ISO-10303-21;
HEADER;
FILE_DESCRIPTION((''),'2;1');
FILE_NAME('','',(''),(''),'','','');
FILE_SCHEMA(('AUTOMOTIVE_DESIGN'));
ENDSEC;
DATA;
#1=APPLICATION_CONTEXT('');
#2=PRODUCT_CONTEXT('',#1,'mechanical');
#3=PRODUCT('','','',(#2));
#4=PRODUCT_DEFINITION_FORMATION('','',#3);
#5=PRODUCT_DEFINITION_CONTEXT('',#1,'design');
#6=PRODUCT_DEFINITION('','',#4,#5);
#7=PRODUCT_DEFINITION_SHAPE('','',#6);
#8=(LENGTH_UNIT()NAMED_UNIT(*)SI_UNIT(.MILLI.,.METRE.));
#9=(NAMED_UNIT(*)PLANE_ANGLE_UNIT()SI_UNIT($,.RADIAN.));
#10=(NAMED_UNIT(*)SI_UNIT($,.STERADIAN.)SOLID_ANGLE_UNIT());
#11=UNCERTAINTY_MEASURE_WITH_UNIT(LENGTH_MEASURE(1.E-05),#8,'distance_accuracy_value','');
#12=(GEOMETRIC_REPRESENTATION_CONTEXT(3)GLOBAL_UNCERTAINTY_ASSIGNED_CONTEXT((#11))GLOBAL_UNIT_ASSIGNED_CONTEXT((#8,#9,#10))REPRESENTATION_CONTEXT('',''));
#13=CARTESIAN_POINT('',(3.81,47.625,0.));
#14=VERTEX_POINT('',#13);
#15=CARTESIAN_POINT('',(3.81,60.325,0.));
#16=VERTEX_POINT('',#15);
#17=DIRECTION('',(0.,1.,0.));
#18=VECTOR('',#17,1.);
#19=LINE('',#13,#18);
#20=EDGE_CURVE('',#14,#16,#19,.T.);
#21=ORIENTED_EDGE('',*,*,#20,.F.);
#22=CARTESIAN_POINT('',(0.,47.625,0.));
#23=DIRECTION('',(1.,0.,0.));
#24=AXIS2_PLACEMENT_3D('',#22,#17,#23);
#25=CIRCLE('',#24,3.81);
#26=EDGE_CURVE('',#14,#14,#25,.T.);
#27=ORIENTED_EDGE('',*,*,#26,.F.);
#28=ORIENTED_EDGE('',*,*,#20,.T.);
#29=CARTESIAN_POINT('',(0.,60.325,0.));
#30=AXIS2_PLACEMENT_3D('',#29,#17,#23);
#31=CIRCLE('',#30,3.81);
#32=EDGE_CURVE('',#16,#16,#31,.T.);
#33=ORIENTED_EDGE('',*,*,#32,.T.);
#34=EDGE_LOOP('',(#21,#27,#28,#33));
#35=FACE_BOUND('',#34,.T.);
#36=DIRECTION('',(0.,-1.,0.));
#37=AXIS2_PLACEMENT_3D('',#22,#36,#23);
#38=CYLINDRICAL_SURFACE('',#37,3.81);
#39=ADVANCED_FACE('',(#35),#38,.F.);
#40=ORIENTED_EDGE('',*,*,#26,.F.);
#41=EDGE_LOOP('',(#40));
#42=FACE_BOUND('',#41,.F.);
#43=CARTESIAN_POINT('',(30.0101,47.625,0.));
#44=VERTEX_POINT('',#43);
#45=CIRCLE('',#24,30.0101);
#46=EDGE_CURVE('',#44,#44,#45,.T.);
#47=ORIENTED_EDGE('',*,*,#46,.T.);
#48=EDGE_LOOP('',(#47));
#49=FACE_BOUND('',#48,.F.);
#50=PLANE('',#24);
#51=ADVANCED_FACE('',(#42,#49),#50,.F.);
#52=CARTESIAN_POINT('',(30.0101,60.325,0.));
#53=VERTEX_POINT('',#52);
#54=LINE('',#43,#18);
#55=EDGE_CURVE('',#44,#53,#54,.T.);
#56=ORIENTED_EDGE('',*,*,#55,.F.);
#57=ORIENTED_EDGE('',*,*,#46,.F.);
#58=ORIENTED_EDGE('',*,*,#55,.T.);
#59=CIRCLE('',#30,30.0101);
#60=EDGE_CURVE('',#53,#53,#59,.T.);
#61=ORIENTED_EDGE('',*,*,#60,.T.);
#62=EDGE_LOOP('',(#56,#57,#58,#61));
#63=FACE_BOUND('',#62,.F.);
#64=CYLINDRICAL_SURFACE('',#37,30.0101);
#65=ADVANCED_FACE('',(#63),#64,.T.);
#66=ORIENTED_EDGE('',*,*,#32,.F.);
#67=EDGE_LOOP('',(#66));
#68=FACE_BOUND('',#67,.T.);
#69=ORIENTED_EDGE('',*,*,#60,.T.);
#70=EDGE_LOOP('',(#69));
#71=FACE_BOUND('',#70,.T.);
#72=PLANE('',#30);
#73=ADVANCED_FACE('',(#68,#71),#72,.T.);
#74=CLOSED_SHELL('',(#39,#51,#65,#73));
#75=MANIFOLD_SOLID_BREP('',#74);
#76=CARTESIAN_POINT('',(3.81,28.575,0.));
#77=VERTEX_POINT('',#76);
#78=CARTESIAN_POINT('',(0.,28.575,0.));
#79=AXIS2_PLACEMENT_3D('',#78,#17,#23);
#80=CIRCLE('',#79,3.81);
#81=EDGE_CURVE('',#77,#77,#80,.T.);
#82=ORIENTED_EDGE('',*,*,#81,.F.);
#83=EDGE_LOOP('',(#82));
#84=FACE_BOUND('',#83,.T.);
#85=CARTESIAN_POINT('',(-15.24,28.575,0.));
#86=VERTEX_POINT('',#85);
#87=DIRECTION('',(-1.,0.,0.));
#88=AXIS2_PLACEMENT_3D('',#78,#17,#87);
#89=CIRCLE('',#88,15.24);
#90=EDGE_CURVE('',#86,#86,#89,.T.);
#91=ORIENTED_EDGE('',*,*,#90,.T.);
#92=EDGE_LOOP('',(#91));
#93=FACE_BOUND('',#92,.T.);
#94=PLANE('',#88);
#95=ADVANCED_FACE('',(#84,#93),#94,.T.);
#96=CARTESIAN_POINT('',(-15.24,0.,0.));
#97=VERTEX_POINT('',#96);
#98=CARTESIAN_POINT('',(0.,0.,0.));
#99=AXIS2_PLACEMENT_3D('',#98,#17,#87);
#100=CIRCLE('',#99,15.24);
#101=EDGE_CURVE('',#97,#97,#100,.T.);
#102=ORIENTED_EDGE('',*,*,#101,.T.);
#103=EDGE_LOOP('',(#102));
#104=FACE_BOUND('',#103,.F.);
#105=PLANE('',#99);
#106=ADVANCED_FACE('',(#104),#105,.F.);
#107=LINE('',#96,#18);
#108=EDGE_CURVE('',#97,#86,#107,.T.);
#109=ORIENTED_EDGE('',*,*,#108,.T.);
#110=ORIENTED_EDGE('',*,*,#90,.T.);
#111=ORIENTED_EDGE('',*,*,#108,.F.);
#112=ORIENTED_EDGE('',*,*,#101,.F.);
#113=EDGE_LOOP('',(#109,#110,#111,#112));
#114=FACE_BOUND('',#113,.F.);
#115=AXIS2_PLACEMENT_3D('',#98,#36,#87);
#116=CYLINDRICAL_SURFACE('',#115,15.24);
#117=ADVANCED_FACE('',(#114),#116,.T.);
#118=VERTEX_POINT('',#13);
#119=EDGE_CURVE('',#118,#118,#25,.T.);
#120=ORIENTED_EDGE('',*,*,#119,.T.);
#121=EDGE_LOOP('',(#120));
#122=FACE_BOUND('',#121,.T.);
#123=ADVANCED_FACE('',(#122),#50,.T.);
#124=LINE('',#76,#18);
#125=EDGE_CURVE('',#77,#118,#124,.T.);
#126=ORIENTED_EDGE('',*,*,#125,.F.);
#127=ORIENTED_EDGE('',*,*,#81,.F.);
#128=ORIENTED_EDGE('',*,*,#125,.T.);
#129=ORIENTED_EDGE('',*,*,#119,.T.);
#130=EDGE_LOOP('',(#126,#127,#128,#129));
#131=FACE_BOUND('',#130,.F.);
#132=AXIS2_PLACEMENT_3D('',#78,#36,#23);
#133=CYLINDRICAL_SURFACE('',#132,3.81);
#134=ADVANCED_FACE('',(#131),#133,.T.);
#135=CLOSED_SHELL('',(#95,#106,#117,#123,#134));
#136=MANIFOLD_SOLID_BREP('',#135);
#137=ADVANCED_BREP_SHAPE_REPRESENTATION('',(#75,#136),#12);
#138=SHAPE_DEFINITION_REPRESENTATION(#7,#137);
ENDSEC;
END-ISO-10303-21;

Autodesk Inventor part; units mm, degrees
ref_plane "YZ Plane" through (0, 0, 0) normal (1, 0, 0) x (0, 1, 0)
ref_plane "XZ Plane" through (0, 0, 0) normal (0, 1, 0) x (-1, 0, 0)
ref_plane "XY Plane" through (0, 0, 0) normal (0, 0, 1) x (1, 0, 0)
sketch "Sketch1" plane through (0, 0, 0) normal (0, 1, 0) x (-1, 0, 0)
  circle A0 centre (0, 0) radius 15.24
  dimension "d0" = 30.48
extrude "Extrusion1" add sketch "Sketch1" along normal blind 28.575
sketch "Sketch2" plane through (0, 28.575, 0) normal (0, 1, 0) x (1, 0, 0)
  circle A0 centre (0, 0) radius 3.81
  dimension "d3" = 7.62
extrude "Extrusion2" add sketch "Sketch2" along normal blind 19.05
sketch "Sketch3" plane through (0, 47.625, 0) normal (0, 1, 0) x (1, 0, 0)
  circle A0 centre (0, 0) radius 3.81 projected
  circle A1 centre (0, 0) radius 30.0101
  dimension "d6" = 60.0202
extrude "Extrusion3" add sketch "Sketch3" along normal blind 12.7
properties part number "motor"
